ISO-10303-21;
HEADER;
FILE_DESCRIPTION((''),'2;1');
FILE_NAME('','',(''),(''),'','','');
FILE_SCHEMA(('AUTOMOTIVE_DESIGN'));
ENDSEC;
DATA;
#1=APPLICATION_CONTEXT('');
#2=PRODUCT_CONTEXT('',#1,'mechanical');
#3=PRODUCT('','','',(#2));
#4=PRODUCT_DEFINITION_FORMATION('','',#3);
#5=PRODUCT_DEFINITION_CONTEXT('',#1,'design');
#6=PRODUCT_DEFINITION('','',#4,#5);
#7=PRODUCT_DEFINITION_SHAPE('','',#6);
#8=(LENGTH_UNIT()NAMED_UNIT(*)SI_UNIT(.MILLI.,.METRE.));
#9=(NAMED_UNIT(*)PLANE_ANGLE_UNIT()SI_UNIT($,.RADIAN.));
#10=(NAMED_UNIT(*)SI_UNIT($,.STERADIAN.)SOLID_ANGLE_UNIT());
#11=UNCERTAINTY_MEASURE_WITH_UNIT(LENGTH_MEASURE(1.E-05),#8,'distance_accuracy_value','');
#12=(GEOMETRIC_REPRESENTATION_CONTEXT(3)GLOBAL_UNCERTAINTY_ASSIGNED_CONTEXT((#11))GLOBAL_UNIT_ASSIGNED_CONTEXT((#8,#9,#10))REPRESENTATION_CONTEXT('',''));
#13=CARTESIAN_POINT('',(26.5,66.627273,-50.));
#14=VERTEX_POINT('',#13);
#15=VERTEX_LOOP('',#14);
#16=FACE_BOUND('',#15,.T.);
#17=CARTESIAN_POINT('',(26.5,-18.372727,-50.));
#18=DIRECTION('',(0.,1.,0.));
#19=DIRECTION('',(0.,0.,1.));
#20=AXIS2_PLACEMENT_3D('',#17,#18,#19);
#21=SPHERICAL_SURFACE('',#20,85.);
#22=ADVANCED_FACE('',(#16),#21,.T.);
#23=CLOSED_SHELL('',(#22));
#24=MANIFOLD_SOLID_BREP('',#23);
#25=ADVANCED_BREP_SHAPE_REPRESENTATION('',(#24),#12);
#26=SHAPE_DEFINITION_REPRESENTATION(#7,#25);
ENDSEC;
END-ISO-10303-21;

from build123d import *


with BuildPart() as part:
    # Sketch2 → Revolve1 (revolve)
    with BuildSketch(Plane.ZY.offset(-26.5)):
        with BuildLine():
            Line((-50, 66.627272727), (-50, -103.372727273))
            ThreePointArc((-50, -103.372727273), (35, -18.372727273), (-50, 66.627272727))
        make_face()
    revolve(axis=Axis((26.5, 66.627272727, -50), (0, -1, 0)))


solid = part.part
